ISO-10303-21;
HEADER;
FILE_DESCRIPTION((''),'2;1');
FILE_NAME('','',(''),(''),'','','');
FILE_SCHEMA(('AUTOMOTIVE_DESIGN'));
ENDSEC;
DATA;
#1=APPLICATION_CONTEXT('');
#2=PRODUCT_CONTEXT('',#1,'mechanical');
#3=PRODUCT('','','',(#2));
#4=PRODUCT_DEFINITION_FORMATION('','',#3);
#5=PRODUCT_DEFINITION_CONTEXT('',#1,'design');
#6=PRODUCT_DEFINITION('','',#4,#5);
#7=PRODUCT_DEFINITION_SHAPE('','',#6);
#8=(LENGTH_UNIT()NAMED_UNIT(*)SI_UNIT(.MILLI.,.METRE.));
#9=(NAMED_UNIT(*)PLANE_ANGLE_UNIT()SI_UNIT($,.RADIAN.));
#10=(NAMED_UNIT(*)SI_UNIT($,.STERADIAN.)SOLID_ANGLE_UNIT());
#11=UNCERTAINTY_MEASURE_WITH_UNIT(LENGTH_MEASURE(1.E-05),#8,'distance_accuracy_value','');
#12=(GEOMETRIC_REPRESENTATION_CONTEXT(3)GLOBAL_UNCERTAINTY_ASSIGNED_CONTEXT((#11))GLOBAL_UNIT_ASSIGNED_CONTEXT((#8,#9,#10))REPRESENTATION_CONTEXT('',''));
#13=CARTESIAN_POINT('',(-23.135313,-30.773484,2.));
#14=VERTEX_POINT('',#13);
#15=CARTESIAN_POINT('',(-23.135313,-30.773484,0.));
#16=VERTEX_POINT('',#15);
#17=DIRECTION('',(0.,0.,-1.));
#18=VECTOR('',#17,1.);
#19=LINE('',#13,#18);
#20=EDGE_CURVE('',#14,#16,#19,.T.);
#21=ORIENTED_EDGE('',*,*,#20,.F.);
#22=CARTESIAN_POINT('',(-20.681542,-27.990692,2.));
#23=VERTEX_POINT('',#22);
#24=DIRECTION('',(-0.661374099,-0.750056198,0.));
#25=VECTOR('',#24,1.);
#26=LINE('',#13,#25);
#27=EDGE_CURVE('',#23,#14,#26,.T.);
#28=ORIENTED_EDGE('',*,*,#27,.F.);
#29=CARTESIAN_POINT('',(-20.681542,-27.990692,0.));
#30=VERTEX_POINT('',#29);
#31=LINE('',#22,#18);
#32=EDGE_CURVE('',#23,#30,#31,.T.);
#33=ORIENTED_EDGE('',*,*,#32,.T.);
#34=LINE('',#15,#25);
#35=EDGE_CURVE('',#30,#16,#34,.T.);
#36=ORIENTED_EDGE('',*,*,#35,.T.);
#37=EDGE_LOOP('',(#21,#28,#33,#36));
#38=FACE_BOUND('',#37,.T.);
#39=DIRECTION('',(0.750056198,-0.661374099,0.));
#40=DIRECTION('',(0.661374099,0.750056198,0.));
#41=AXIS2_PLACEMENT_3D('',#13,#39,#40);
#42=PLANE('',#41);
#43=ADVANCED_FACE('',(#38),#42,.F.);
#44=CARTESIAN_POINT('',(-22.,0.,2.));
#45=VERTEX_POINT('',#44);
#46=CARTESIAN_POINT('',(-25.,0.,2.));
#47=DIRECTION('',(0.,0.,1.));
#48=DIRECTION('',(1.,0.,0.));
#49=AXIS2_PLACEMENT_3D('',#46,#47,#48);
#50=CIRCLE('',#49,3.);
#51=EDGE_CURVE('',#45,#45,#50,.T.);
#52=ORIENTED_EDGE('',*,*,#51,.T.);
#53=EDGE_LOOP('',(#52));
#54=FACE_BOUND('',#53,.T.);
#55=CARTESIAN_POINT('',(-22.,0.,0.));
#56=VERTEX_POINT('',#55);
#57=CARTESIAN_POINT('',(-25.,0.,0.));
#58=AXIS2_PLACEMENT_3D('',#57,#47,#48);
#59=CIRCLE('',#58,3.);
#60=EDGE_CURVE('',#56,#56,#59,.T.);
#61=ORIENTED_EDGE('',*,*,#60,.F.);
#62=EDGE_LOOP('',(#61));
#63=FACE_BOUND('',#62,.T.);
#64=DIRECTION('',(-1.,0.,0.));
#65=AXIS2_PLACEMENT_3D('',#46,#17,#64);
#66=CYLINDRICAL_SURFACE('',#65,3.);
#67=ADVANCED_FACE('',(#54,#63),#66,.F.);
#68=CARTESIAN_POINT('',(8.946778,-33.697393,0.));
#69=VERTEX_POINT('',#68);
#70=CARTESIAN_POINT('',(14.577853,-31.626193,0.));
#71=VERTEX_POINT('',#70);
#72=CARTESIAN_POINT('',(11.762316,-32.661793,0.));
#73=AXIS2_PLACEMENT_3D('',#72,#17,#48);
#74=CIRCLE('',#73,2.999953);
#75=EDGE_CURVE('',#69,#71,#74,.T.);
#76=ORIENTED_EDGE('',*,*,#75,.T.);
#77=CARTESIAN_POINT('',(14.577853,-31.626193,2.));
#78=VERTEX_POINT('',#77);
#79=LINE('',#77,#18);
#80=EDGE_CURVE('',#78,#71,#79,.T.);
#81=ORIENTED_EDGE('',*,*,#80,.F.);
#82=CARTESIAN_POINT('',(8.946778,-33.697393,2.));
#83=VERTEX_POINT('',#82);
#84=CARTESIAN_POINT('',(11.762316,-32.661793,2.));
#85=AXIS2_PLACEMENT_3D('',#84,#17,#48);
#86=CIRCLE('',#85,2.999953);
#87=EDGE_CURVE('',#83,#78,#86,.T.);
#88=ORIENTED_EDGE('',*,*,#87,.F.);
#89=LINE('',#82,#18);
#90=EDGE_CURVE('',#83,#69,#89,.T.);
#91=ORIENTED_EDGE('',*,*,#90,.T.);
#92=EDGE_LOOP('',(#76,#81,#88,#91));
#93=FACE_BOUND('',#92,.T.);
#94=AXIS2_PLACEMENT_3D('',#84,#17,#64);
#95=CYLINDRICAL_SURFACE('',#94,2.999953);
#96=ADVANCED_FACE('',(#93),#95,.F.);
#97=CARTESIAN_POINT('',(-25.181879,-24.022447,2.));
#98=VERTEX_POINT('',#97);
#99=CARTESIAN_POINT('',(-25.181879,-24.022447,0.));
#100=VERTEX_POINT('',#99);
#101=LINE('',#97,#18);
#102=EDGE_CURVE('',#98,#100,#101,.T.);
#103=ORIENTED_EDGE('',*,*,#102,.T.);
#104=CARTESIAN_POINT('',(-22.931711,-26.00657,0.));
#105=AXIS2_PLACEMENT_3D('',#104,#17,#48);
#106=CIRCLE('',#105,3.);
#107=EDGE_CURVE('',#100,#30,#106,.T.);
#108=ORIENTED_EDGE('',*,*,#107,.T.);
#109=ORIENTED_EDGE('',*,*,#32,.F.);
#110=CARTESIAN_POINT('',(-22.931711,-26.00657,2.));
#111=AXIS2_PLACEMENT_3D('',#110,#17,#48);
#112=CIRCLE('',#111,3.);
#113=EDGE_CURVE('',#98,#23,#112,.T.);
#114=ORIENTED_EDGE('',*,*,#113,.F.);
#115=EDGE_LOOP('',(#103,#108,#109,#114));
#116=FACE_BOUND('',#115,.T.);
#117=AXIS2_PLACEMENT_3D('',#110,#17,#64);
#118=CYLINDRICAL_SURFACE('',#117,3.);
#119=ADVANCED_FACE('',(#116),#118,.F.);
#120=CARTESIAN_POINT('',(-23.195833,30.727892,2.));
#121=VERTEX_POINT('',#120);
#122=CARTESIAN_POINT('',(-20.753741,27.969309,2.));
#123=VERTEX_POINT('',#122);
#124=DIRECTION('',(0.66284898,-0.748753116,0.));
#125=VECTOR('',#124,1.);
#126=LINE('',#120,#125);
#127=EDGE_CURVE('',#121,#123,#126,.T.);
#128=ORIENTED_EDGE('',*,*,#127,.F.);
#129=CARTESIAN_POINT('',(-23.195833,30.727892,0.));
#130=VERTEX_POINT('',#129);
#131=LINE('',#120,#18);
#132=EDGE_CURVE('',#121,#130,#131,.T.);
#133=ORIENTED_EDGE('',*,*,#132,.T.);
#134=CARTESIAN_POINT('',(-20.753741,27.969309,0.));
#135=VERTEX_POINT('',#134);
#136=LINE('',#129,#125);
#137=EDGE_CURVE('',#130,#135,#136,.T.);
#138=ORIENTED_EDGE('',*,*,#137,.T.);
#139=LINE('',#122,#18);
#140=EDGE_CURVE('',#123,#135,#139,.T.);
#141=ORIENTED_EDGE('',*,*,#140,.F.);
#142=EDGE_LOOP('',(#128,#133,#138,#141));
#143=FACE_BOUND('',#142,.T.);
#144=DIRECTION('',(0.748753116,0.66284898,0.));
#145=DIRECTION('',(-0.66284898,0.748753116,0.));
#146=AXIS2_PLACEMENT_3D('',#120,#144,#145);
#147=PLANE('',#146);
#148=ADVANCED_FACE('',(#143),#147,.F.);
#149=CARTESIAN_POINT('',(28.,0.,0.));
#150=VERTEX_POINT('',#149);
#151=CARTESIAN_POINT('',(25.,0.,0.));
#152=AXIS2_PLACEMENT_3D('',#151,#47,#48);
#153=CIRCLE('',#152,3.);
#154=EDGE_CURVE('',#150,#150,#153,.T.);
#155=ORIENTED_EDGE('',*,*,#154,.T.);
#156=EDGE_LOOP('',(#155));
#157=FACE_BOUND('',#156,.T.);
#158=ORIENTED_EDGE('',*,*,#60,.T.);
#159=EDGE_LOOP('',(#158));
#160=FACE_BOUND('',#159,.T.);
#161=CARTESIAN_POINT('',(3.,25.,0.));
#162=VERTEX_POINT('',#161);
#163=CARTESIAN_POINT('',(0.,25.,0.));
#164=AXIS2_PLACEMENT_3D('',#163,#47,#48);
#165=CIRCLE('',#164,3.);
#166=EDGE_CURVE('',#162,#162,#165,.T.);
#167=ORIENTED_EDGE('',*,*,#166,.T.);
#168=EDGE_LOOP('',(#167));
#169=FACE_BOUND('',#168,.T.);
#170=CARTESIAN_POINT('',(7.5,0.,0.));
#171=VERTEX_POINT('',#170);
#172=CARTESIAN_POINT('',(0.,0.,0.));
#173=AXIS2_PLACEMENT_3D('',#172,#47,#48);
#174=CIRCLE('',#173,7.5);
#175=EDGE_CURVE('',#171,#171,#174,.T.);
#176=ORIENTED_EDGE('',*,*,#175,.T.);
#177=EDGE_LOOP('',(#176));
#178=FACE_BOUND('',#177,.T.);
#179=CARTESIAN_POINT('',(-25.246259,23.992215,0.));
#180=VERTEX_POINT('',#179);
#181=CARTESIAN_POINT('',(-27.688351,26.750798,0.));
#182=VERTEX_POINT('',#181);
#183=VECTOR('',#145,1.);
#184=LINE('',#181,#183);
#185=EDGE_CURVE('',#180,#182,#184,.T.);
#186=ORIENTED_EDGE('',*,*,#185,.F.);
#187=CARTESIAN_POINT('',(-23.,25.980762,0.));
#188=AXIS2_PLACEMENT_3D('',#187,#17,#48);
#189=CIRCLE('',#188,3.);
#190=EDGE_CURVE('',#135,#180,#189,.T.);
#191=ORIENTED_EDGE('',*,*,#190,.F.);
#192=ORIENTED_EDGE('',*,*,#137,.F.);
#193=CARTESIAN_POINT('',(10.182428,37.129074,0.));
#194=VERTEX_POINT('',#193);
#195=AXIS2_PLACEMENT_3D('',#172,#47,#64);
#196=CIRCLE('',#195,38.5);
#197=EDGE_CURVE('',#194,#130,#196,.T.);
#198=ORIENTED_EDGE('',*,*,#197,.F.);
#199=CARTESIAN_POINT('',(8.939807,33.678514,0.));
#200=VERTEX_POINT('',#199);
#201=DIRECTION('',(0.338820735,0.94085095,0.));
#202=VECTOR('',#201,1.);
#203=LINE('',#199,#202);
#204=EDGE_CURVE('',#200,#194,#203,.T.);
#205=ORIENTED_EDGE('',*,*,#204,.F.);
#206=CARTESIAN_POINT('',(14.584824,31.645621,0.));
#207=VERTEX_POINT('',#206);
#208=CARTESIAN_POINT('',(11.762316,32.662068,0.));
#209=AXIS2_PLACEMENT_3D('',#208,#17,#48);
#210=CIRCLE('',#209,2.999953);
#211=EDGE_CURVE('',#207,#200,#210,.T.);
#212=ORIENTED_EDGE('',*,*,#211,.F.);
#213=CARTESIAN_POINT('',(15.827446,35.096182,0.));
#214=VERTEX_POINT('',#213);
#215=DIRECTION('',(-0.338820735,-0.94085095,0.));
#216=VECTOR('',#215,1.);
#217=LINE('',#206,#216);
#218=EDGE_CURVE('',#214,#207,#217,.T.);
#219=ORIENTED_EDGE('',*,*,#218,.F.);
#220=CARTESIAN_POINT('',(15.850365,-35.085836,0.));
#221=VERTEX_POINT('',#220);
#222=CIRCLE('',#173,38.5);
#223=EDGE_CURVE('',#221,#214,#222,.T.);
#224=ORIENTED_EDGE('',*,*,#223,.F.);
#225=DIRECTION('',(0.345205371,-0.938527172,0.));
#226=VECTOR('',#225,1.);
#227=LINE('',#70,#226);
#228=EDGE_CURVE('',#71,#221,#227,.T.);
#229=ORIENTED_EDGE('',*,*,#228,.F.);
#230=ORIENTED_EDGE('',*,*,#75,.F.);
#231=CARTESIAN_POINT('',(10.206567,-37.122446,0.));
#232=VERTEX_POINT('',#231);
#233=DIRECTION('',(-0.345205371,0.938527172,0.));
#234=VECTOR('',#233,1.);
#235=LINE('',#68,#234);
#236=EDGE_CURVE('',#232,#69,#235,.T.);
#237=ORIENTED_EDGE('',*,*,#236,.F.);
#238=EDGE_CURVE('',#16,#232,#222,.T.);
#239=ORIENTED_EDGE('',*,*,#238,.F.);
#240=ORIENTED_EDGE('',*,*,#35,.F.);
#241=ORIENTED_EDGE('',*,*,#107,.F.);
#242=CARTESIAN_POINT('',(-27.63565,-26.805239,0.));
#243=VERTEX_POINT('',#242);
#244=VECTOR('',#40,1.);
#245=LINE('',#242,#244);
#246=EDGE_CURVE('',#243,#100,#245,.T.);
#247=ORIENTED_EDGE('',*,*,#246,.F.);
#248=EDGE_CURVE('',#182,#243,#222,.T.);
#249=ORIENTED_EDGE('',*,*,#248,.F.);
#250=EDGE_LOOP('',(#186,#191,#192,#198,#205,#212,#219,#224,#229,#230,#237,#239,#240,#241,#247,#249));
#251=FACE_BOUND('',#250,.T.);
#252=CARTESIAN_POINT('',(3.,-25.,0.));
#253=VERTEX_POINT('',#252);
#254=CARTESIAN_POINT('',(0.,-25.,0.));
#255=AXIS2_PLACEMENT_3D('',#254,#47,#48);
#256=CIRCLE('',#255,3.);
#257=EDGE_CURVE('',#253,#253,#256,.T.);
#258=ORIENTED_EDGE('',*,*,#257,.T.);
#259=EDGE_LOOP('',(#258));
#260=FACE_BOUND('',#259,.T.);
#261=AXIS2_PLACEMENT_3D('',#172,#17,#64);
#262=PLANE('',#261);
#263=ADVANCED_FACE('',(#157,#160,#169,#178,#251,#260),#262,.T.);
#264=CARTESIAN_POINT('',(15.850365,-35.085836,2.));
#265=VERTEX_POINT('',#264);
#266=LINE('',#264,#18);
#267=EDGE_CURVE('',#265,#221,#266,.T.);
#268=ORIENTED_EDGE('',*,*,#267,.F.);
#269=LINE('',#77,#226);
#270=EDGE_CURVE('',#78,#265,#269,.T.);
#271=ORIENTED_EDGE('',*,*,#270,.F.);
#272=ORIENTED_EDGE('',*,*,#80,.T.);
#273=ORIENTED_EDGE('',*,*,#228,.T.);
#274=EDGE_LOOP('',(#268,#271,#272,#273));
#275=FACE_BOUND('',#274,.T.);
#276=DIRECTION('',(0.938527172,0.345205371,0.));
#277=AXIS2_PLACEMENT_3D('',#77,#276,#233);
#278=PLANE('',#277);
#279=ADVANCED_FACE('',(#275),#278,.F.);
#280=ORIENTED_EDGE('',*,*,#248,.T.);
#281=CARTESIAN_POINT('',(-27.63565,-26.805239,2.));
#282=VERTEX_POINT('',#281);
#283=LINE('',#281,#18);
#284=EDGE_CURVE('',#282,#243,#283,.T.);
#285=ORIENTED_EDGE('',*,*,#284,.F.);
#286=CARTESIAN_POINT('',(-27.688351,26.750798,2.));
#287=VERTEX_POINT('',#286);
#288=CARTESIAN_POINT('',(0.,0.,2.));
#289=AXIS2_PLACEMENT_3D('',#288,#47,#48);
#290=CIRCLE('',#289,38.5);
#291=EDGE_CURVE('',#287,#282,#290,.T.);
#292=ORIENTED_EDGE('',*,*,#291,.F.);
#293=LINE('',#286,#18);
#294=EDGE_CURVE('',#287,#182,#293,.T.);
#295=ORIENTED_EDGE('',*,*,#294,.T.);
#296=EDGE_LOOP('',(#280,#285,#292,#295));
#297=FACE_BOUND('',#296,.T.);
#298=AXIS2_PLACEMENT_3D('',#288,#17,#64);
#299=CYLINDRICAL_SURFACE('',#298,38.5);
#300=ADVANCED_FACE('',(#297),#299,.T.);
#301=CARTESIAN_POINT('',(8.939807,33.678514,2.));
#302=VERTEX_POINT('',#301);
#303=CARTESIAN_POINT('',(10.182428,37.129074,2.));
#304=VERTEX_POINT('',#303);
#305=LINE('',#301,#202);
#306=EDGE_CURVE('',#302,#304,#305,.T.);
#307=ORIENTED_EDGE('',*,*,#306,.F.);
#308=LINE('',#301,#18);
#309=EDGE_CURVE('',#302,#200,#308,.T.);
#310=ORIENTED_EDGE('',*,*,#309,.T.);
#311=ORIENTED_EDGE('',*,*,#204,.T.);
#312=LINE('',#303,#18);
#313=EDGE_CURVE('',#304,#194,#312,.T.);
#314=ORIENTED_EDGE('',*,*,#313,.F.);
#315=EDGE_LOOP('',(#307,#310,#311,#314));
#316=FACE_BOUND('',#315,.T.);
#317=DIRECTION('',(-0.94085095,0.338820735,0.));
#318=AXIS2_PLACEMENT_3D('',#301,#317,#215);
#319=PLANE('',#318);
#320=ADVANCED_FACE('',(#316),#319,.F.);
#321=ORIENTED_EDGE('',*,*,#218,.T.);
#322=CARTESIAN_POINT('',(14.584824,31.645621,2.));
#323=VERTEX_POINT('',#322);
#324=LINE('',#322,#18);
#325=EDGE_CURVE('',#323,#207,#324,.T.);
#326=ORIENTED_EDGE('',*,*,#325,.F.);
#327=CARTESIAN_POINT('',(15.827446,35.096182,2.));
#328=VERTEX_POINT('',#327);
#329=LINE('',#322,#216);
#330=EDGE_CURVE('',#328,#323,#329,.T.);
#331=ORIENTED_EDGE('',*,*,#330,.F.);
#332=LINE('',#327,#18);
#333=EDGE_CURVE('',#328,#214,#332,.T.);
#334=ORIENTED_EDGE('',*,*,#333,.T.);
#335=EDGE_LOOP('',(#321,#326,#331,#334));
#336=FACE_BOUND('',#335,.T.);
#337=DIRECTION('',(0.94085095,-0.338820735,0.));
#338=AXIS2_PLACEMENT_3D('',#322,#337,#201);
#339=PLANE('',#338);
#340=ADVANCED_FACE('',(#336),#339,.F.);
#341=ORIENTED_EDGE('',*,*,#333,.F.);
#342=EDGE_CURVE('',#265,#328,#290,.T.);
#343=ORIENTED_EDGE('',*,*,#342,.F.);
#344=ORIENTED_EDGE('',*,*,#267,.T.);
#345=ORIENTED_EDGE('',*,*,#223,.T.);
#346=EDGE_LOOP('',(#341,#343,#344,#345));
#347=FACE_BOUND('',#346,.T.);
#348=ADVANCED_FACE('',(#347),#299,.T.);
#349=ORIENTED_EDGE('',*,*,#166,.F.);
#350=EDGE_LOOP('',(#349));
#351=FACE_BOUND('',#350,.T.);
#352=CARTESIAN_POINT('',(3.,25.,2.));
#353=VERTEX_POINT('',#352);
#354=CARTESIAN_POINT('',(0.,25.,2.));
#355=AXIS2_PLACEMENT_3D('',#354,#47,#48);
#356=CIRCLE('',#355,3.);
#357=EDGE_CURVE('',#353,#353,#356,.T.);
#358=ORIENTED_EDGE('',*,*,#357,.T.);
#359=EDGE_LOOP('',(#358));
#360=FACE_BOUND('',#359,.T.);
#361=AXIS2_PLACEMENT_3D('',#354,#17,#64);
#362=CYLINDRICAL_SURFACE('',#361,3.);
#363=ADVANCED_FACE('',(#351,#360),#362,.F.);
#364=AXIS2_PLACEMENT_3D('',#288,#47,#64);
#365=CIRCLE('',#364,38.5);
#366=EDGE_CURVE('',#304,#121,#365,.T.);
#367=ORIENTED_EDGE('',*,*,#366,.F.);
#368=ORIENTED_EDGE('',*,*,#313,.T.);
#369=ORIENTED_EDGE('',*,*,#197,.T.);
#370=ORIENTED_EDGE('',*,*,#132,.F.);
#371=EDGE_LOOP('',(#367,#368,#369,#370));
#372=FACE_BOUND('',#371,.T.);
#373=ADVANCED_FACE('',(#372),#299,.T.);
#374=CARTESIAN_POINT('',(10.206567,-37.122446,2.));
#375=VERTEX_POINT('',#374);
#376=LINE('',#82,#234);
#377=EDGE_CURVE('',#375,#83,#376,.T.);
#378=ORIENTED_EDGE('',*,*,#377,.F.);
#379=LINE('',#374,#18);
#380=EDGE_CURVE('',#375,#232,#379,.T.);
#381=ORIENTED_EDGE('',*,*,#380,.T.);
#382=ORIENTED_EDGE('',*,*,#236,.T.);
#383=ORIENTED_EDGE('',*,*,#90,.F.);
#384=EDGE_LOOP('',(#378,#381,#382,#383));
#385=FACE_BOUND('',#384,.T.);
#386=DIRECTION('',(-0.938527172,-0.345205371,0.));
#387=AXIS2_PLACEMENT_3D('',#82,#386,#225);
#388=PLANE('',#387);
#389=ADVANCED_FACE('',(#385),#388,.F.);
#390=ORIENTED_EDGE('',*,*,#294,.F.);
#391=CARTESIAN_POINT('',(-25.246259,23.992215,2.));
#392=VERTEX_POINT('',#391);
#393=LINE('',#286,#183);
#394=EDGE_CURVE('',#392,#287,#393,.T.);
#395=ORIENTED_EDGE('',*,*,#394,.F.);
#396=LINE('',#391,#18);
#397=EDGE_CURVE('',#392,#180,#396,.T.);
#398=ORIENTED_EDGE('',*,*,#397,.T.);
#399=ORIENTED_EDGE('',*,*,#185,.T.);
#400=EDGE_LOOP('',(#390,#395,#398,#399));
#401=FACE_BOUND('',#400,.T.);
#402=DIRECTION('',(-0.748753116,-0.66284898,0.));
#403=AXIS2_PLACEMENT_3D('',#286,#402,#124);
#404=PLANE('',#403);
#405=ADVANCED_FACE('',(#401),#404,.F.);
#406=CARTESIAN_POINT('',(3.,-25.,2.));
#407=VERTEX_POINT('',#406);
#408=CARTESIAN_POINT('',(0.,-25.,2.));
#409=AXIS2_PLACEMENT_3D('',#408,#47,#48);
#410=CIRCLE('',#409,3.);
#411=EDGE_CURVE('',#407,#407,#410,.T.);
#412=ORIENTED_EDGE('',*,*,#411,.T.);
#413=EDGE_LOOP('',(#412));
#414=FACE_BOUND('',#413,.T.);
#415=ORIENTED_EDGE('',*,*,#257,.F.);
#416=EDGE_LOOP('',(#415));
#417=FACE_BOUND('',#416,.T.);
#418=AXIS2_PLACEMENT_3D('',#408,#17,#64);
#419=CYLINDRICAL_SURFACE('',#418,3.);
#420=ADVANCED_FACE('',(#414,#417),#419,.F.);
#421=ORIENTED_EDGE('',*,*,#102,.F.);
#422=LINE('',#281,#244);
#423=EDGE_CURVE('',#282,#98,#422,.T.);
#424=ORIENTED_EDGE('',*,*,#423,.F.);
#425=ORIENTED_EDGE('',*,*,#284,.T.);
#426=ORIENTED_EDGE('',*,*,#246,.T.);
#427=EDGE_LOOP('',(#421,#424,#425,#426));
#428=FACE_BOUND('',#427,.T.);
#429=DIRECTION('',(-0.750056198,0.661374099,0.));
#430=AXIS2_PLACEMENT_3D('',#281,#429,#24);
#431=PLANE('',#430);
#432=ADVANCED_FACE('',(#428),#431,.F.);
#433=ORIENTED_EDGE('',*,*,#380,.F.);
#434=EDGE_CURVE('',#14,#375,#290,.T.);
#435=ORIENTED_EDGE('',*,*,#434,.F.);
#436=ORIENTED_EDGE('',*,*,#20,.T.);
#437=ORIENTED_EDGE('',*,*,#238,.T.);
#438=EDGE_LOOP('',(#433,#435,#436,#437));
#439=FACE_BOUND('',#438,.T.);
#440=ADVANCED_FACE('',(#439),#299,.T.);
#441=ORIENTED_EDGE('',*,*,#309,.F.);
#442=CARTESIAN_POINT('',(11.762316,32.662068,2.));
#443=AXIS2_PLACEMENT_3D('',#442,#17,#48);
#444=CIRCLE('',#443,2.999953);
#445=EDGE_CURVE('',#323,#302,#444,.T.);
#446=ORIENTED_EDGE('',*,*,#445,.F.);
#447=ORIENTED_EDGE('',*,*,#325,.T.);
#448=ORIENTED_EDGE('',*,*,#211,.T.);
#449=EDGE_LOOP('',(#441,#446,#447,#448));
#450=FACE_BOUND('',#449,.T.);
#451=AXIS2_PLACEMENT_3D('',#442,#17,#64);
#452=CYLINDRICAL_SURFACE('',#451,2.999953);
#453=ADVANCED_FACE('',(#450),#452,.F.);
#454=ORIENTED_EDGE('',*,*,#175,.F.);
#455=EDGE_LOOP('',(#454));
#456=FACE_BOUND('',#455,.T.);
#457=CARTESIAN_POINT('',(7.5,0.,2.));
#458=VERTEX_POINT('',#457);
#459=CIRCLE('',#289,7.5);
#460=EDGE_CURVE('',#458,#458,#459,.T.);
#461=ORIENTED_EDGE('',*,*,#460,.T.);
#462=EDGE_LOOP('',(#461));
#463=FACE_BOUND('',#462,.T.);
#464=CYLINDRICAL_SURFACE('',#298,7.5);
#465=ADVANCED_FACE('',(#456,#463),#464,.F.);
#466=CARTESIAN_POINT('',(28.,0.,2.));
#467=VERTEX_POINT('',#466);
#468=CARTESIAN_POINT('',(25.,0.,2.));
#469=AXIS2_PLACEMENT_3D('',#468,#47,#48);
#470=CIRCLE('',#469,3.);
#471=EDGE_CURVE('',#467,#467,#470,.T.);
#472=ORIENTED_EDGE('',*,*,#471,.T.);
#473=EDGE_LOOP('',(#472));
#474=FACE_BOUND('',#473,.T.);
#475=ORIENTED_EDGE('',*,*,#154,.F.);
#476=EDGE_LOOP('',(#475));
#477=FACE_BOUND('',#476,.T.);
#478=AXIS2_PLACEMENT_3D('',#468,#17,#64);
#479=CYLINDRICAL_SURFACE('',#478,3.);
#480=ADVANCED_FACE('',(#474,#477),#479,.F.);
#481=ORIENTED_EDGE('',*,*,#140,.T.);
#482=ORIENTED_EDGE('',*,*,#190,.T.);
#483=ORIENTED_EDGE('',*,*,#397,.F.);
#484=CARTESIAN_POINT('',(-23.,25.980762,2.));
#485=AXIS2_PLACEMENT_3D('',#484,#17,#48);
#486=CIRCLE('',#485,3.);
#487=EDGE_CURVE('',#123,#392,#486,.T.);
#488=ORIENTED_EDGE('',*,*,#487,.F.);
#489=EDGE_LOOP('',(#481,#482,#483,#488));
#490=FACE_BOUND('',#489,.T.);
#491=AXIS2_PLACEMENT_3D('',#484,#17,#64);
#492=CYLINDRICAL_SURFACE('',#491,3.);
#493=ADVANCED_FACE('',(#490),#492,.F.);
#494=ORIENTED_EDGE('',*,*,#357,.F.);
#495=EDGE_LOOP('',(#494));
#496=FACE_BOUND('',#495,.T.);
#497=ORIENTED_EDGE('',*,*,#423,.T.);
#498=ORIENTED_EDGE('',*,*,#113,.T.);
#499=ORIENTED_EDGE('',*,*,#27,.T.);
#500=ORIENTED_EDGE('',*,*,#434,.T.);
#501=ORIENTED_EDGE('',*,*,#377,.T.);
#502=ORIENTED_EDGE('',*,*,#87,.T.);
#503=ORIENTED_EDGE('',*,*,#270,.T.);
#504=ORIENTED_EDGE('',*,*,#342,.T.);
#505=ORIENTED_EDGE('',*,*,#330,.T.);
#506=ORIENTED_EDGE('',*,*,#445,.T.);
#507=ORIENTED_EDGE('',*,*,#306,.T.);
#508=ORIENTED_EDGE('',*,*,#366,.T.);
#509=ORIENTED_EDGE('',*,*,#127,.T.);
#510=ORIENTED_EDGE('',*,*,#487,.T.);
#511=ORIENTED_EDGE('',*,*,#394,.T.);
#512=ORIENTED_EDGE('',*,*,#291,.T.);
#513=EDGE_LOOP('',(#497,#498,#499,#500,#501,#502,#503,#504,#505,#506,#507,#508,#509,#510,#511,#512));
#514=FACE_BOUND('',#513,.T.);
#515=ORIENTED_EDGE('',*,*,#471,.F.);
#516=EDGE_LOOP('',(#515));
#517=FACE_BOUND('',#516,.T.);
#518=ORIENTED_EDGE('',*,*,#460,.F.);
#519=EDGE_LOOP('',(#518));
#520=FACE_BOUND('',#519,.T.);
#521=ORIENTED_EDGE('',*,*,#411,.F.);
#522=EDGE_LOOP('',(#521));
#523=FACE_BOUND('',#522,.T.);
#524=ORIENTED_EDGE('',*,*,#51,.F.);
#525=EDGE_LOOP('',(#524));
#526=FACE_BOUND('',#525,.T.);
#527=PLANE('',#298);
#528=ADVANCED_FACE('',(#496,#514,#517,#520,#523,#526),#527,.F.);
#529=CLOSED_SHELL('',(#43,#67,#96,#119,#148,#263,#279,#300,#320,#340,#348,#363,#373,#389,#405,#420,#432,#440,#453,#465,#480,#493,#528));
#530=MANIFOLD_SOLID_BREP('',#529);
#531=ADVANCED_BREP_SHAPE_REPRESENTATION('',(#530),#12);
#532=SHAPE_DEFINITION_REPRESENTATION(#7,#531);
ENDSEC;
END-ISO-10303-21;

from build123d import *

# Parameters (mm, degrees)
MODEL_R             = 7.5
MODEL_R_2           = 3
BOSS_EXTRUDE1_DEPTH = 2


with BuildPart() as part:
    # Model → Boss-Extrude1 (new body)
    with BuildSketch(Plane.XY):
        with BuildLine():
            Line((8.939806713, 33.678513972), (10.182427979, 37.129074328))
            ThreePointArc((10.182427979, 37.129074328), (-7.25127288, 37.810964569), (-23.195832576, 30.727892071))
            Line((-23.195832576, 30.727892071), (-20.753740651, 27.969309055))
            ThreePointArc((-20.753740651, 27.969309055), (-21.011453059, 23.734502764), (-25.246259349, 23.992215172))
            Line((-25.246259349, 23.992215172), (-27.688351274, 26.750798188))
            ThreePointArc((-27.688351274, 26.750798188), (-38.49998136, -0.037885337), (-27.635650248, -26.805238954))
            Line((-27.635650248, -26.805238954), (-25.18187917, -24.022447477))
            ThreePointArc((-25.18187917, -24.022447477), (-20.947588277, -23.756401179), (-20.68154198, -27.990692072))
            Line((-20.68154198, -27.990692072), (-23.135313057, -30.773483549))
            ThreePointArc((-23.135313057, -30.773483549), (-7.20176697, -37.82042507), (10.206567261, -37.122445835))
            Line((10.206567261, -37.122445835), (8.946777939, -33.697393363))
            ThreePointArc((8.946777939, -33.697393363), (10.726715594, -29.846255768), (14.577853189, -31.626193423))
            Line((14.577853189, -31.626193423), (15.850365451, -35.085836388))
            ThreePointArc((15.850365451, -35.085836388), (38.499997947, 0.01257318), (15.82744568, 35.096181605))
            Line((15.82744568, 35.096181605), (14.584824415, 31.645621248))
            ThreePointArc((14.584824415, 31.645621248), (10.745869202, 29.839558759), (8.939806713, 33.678513972))
        make_face()
        Circle(MODEL_R, mode=Mode.SUBTRACT)
        with Locations((0, 25)):
            Circle(MODEL_R_2, mode=Mode.SUBTRACT)
        with Locations((25, 0)):
            Circle(MODEL_R_2, mode=Mode.SUBTRACT)
        with Locations((0, -25)):
            Circle(MODEL_R_2, mode=Mode.SUBTRACT)
        with Locations((-25, 0)):
            Circle(MODEL_R_2, mode=Mode.SUBTRACT)
    extrude(amount=BOSS_EXTRUDE1_DEPTH)


solid = part.part
